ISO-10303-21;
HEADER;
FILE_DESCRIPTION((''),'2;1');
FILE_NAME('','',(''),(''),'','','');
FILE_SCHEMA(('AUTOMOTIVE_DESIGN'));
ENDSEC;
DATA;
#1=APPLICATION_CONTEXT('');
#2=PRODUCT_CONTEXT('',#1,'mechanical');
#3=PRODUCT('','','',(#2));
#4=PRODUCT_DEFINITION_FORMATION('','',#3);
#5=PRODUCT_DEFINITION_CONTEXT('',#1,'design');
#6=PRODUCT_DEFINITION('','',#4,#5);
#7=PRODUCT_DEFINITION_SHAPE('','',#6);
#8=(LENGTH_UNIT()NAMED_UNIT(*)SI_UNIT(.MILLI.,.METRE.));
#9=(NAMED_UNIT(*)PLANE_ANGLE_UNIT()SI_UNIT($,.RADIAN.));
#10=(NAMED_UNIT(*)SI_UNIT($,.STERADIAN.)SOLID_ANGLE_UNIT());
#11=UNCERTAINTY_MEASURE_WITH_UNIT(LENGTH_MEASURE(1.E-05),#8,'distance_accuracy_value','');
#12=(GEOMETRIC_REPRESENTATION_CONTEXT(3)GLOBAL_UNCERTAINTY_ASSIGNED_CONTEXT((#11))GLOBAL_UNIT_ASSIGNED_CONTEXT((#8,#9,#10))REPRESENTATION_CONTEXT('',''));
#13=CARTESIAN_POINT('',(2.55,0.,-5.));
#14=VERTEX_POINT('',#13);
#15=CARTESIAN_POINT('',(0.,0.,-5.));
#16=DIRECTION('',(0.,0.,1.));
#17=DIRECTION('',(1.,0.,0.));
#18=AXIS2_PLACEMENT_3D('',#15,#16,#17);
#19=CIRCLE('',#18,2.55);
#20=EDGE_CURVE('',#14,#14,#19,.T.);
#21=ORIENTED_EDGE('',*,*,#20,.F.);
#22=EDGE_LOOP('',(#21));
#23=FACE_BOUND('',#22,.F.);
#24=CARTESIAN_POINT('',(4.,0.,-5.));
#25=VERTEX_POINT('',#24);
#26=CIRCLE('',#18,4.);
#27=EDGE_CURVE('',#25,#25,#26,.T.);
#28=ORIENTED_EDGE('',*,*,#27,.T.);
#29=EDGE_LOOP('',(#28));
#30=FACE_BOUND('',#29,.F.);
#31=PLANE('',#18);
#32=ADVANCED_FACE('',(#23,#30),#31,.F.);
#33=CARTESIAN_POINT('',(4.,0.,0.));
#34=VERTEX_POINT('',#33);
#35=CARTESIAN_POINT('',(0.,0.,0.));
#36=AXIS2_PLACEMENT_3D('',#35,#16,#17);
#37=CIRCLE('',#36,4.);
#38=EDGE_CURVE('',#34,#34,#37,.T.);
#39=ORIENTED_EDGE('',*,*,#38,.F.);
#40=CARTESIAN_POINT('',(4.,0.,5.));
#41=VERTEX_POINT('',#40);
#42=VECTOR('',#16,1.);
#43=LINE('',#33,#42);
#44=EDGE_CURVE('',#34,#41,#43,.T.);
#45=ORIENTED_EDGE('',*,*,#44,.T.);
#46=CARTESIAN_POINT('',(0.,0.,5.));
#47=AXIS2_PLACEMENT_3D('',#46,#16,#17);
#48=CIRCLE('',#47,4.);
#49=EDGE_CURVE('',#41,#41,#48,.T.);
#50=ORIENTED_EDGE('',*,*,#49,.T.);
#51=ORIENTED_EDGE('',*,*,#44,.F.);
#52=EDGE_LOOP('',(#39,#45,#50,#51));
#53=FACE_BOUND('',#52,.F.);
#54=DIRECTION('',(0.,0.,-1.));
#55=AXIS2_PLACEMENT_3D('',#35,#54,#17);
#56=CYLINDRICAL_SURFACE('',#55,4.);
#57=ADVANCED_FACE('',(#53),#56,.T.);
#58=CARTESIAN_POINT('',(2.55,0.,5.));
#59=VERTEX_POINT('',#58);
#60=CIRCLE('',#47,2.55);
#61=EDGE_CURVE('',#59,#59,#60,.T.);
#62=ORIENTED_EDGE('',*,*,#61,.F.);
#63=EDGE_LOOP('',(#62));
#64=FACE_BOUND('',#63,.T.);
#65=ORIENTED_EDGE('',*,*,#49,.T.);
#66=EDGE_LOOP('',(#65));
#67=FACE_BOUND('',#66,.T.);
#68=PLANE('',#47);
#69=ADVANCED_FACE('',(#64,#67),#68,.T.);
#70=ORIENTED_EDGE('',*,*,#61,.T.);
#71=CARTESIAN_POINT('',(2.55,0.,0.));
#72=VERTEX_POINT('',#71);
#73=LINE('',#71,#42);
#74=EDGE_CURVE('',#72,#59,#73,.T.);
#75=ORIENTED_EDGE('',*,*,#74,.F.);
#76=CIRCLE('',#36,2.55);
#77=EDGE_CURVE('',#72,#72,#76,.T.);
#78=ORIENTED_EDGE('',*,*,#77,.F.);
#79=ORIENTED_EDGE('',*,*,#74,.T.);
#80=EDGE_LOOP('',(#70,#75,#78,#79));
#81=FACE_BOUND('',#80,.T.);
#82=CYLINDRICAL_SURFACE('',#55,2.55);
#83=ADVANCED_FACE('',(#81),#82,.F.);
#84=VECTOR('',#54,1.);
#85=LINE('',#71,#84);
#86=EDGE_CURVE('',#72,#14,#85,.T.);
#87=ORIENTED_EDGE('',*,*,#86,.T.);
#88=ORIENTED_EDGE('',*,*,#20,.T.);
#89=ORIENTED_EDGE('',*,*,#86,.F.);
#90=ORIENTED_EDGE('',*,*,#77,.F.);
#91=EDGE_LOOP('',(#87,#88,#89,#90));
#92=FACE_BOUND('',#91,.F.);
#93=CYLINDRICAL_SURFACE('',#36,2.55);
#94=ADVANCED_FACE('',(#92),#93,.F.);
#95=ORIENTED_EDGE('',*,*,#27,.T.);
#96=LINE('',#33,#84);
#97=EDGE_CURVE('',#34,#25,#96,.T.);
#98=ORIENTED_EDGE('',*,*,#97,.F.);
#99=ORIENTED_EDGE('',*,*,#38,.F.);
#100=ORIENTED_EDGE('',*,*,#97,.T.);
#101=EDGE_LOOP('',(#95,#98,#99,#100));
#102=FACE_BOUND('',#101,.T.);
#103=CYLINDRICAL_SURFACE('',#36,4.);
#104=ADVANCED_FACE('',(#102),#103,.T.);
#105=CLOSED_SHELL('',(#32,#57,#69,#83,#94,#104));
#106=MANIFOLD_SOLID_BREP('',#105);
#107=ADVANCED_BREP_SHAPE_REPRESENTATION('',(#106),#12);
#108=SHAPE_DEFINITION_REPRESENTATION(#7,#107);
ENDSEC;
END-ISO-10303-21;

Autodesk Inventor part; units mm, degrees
ref_plane "YZ Plane" through (0, 0, 0) normal (1, 0, 0) x (0, 1, 0)
ref_plane "XZ Plane" through (0, 0, 0) normal (0, 1, 0) x (-1, 0, 0)
ref_plane "XY Plane" through (0, 0, 0) normal (0, 0, 1) x (1, 0, 0)
sketch "Sketch1" plane through (0, 0, 0) normal (0, 0, 1) x (1, 0, 0)
  circle A0 centre (0, 0) radius 4
  circle A1 centre (0, 0) radius 2.55
  dimension "d0" = 8
  dimension "d1" = 5.1
extrude "Extrusion1" add sketch "Sketch1" along normal mid plane 10
properties part number "HelicalRiser"
